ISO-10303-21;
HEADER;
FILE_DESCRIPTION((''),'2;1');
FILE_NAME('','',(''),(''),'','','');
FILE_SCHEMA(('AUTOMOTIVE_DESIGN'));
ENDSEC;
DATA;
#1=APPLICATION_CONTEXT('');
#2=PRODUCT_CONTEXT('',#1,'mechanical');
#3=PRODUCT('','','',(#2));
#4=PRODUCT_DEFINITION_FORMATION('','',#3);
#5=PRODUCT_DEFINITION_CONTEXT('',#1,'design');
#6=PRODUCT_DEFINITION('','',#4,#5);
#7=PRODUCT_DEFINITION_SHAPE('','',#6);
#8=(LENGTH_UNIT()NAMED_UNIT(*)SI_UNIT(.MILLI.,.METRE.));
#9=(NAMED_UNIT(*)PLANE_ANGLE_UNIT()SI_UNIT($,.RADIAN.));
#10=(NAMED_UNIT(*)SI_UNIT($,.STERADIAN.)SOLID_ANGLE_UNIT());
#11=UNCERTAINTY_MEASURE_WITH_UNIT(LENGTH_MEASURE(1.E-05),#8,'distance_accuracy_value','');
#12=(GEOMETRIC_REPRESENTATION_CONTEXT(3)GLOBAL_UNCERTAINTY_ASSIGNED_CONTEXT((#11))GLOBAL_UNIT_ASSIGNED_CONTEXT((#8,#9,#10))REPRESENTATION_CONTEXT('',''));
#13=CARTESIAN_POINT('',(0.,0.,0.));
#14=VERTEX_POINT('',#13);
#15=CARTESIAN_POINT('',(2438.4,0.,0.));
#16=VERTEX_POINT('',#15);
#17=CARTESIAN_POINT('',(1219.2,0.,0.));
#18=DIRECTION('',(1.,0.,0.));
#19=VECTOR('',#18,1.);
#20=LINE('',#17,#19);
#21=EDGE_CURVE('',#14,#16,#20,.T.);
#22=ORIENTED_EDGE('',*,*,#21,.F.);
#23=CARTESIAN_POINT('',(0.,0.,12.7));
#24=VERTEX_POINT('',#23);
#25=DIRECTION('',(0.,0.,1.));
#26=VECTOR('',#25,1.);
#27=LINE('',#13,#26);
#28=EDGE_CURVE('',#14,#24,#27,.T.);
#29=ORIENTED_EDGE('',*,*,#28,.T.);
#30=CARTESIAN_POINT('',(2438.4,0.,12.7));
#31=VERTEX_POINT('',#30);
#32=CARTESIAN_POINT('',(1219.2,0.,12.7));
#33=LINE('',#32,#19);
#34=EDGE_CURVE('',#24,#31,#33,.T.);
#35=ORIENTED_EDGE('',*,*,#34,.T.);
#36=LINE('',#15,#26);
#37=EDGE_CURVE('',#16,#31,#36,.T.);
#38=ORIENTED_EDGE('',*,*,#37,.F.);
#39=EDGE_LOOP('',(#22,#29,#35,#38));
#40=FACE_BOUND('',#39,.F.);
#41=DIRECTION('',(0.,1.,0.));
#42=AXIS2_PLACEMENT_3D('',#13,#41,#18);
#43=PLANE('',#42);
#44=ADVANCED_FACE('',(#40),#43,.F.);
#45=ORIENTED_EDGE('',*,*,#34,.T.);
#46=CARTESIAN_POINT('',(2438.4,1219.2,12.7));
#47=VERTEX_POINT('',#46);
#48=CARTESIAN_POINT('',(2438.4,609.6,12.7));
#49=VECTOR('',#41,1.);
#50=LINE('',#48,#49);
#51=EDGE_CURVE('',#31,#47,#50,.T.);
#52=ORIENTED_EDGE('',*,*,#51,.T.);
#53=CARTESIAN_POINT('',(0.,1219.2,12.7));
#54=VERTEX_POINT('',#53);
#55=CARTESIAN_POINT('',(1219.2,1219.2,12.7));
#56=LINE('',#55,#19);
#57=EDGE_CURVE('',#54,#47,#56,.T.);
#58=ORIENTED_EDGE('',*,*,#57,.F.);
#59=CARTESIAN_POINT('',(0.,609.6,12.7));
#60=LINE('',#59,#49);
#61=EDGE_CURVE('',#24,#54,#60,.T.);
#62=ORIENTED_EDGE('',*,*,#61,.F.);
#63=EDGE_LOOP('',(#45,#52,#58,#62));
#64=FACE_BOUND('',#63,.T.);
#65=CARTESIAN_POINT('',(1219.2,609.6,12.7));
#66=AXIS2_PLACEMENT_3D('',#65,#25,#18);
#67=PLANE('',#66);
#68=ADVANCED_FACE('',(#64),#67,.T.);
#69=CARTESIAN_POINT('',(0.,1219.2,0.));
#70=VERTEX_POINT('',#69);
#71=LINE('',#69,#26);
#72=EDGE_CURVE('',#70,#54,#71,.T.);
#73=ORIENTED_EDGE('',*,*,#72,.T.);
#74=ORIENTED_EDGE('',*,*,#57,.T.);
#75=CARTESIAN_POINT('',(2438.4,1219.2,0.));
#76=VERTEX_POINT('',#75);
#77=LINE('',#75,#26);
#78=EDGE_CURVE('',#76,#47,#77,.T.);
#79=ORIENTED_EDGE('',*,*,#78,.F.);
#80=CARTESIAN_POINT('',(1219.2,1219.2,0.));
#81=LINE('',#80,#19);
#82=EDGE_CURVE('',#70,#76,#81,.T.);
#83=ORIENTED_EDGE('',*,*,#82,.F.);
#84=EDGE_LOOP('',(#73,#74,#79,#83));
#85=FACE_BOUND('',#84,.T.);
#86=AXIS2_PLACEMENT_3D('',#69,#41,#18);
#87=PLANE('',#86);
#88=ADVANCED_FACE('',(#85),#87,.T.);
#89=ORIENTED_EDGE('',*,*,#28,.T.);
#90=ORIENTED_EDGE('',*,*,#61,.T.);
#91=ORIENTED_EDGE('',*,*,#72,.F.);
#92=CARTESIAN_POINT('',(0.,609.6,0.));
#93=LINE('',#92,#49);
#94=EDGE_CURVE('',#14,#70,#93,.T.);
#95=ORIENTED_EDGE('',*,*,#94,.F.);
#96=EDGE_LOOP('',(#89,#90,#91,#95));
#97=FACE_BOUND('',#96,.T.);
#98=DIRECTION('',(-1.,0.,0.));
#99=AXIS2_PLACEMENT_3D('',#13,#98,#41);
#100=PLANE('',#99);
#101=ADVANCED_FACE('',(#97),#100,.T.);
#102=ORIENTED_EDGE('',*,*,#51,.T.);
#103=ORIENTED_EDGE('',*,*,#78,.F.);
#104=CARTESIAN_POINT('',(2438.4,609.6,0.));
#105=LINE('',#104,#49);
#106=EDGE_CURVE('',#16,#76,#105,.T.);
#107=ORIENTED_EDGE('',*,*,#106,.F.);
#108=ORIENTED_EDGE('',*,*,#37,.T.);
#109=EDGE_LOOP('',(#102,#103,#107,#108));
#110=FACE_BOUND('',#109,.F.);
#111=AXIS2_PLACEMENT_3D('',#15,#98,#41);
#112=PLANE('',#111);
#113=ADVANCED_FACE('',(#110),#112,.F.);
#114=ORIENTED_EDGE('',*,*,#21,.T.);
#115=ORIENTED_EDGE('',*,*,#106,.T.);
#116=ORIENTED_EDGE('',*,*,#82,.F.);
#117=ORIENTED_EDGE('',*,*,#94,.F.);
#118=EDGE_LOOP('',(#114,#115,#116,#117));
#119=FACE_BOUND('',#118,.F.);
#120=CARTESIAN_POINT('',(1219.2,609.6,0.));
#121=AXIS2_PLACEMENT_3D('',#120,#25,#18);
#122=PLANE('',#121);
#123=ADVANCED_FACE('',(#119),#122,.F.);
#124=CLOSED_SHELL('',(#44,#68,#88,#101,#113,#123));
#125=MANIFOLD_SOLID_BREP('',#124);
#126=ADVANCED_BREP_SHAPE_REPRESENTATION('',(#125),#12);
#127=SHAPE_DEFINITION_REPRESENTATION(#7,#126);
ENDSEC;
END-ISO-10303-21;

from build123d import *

# Parameters (mm, degrees)
SKETCH_W  = 2438.4
SKETCH_H  = 1219.2
PAD_DEPTH = 12.7


with BuildPart() as part:
    # Sketch → Pad (new body)
    with BuildSketch(Plane.XY):
        with Locations((1219.2, 609.6)):
            Rectangle(SKETCH_W, SKETCH_H)
    extrude(amount=PAD_DEPTH)


solid = part.part
